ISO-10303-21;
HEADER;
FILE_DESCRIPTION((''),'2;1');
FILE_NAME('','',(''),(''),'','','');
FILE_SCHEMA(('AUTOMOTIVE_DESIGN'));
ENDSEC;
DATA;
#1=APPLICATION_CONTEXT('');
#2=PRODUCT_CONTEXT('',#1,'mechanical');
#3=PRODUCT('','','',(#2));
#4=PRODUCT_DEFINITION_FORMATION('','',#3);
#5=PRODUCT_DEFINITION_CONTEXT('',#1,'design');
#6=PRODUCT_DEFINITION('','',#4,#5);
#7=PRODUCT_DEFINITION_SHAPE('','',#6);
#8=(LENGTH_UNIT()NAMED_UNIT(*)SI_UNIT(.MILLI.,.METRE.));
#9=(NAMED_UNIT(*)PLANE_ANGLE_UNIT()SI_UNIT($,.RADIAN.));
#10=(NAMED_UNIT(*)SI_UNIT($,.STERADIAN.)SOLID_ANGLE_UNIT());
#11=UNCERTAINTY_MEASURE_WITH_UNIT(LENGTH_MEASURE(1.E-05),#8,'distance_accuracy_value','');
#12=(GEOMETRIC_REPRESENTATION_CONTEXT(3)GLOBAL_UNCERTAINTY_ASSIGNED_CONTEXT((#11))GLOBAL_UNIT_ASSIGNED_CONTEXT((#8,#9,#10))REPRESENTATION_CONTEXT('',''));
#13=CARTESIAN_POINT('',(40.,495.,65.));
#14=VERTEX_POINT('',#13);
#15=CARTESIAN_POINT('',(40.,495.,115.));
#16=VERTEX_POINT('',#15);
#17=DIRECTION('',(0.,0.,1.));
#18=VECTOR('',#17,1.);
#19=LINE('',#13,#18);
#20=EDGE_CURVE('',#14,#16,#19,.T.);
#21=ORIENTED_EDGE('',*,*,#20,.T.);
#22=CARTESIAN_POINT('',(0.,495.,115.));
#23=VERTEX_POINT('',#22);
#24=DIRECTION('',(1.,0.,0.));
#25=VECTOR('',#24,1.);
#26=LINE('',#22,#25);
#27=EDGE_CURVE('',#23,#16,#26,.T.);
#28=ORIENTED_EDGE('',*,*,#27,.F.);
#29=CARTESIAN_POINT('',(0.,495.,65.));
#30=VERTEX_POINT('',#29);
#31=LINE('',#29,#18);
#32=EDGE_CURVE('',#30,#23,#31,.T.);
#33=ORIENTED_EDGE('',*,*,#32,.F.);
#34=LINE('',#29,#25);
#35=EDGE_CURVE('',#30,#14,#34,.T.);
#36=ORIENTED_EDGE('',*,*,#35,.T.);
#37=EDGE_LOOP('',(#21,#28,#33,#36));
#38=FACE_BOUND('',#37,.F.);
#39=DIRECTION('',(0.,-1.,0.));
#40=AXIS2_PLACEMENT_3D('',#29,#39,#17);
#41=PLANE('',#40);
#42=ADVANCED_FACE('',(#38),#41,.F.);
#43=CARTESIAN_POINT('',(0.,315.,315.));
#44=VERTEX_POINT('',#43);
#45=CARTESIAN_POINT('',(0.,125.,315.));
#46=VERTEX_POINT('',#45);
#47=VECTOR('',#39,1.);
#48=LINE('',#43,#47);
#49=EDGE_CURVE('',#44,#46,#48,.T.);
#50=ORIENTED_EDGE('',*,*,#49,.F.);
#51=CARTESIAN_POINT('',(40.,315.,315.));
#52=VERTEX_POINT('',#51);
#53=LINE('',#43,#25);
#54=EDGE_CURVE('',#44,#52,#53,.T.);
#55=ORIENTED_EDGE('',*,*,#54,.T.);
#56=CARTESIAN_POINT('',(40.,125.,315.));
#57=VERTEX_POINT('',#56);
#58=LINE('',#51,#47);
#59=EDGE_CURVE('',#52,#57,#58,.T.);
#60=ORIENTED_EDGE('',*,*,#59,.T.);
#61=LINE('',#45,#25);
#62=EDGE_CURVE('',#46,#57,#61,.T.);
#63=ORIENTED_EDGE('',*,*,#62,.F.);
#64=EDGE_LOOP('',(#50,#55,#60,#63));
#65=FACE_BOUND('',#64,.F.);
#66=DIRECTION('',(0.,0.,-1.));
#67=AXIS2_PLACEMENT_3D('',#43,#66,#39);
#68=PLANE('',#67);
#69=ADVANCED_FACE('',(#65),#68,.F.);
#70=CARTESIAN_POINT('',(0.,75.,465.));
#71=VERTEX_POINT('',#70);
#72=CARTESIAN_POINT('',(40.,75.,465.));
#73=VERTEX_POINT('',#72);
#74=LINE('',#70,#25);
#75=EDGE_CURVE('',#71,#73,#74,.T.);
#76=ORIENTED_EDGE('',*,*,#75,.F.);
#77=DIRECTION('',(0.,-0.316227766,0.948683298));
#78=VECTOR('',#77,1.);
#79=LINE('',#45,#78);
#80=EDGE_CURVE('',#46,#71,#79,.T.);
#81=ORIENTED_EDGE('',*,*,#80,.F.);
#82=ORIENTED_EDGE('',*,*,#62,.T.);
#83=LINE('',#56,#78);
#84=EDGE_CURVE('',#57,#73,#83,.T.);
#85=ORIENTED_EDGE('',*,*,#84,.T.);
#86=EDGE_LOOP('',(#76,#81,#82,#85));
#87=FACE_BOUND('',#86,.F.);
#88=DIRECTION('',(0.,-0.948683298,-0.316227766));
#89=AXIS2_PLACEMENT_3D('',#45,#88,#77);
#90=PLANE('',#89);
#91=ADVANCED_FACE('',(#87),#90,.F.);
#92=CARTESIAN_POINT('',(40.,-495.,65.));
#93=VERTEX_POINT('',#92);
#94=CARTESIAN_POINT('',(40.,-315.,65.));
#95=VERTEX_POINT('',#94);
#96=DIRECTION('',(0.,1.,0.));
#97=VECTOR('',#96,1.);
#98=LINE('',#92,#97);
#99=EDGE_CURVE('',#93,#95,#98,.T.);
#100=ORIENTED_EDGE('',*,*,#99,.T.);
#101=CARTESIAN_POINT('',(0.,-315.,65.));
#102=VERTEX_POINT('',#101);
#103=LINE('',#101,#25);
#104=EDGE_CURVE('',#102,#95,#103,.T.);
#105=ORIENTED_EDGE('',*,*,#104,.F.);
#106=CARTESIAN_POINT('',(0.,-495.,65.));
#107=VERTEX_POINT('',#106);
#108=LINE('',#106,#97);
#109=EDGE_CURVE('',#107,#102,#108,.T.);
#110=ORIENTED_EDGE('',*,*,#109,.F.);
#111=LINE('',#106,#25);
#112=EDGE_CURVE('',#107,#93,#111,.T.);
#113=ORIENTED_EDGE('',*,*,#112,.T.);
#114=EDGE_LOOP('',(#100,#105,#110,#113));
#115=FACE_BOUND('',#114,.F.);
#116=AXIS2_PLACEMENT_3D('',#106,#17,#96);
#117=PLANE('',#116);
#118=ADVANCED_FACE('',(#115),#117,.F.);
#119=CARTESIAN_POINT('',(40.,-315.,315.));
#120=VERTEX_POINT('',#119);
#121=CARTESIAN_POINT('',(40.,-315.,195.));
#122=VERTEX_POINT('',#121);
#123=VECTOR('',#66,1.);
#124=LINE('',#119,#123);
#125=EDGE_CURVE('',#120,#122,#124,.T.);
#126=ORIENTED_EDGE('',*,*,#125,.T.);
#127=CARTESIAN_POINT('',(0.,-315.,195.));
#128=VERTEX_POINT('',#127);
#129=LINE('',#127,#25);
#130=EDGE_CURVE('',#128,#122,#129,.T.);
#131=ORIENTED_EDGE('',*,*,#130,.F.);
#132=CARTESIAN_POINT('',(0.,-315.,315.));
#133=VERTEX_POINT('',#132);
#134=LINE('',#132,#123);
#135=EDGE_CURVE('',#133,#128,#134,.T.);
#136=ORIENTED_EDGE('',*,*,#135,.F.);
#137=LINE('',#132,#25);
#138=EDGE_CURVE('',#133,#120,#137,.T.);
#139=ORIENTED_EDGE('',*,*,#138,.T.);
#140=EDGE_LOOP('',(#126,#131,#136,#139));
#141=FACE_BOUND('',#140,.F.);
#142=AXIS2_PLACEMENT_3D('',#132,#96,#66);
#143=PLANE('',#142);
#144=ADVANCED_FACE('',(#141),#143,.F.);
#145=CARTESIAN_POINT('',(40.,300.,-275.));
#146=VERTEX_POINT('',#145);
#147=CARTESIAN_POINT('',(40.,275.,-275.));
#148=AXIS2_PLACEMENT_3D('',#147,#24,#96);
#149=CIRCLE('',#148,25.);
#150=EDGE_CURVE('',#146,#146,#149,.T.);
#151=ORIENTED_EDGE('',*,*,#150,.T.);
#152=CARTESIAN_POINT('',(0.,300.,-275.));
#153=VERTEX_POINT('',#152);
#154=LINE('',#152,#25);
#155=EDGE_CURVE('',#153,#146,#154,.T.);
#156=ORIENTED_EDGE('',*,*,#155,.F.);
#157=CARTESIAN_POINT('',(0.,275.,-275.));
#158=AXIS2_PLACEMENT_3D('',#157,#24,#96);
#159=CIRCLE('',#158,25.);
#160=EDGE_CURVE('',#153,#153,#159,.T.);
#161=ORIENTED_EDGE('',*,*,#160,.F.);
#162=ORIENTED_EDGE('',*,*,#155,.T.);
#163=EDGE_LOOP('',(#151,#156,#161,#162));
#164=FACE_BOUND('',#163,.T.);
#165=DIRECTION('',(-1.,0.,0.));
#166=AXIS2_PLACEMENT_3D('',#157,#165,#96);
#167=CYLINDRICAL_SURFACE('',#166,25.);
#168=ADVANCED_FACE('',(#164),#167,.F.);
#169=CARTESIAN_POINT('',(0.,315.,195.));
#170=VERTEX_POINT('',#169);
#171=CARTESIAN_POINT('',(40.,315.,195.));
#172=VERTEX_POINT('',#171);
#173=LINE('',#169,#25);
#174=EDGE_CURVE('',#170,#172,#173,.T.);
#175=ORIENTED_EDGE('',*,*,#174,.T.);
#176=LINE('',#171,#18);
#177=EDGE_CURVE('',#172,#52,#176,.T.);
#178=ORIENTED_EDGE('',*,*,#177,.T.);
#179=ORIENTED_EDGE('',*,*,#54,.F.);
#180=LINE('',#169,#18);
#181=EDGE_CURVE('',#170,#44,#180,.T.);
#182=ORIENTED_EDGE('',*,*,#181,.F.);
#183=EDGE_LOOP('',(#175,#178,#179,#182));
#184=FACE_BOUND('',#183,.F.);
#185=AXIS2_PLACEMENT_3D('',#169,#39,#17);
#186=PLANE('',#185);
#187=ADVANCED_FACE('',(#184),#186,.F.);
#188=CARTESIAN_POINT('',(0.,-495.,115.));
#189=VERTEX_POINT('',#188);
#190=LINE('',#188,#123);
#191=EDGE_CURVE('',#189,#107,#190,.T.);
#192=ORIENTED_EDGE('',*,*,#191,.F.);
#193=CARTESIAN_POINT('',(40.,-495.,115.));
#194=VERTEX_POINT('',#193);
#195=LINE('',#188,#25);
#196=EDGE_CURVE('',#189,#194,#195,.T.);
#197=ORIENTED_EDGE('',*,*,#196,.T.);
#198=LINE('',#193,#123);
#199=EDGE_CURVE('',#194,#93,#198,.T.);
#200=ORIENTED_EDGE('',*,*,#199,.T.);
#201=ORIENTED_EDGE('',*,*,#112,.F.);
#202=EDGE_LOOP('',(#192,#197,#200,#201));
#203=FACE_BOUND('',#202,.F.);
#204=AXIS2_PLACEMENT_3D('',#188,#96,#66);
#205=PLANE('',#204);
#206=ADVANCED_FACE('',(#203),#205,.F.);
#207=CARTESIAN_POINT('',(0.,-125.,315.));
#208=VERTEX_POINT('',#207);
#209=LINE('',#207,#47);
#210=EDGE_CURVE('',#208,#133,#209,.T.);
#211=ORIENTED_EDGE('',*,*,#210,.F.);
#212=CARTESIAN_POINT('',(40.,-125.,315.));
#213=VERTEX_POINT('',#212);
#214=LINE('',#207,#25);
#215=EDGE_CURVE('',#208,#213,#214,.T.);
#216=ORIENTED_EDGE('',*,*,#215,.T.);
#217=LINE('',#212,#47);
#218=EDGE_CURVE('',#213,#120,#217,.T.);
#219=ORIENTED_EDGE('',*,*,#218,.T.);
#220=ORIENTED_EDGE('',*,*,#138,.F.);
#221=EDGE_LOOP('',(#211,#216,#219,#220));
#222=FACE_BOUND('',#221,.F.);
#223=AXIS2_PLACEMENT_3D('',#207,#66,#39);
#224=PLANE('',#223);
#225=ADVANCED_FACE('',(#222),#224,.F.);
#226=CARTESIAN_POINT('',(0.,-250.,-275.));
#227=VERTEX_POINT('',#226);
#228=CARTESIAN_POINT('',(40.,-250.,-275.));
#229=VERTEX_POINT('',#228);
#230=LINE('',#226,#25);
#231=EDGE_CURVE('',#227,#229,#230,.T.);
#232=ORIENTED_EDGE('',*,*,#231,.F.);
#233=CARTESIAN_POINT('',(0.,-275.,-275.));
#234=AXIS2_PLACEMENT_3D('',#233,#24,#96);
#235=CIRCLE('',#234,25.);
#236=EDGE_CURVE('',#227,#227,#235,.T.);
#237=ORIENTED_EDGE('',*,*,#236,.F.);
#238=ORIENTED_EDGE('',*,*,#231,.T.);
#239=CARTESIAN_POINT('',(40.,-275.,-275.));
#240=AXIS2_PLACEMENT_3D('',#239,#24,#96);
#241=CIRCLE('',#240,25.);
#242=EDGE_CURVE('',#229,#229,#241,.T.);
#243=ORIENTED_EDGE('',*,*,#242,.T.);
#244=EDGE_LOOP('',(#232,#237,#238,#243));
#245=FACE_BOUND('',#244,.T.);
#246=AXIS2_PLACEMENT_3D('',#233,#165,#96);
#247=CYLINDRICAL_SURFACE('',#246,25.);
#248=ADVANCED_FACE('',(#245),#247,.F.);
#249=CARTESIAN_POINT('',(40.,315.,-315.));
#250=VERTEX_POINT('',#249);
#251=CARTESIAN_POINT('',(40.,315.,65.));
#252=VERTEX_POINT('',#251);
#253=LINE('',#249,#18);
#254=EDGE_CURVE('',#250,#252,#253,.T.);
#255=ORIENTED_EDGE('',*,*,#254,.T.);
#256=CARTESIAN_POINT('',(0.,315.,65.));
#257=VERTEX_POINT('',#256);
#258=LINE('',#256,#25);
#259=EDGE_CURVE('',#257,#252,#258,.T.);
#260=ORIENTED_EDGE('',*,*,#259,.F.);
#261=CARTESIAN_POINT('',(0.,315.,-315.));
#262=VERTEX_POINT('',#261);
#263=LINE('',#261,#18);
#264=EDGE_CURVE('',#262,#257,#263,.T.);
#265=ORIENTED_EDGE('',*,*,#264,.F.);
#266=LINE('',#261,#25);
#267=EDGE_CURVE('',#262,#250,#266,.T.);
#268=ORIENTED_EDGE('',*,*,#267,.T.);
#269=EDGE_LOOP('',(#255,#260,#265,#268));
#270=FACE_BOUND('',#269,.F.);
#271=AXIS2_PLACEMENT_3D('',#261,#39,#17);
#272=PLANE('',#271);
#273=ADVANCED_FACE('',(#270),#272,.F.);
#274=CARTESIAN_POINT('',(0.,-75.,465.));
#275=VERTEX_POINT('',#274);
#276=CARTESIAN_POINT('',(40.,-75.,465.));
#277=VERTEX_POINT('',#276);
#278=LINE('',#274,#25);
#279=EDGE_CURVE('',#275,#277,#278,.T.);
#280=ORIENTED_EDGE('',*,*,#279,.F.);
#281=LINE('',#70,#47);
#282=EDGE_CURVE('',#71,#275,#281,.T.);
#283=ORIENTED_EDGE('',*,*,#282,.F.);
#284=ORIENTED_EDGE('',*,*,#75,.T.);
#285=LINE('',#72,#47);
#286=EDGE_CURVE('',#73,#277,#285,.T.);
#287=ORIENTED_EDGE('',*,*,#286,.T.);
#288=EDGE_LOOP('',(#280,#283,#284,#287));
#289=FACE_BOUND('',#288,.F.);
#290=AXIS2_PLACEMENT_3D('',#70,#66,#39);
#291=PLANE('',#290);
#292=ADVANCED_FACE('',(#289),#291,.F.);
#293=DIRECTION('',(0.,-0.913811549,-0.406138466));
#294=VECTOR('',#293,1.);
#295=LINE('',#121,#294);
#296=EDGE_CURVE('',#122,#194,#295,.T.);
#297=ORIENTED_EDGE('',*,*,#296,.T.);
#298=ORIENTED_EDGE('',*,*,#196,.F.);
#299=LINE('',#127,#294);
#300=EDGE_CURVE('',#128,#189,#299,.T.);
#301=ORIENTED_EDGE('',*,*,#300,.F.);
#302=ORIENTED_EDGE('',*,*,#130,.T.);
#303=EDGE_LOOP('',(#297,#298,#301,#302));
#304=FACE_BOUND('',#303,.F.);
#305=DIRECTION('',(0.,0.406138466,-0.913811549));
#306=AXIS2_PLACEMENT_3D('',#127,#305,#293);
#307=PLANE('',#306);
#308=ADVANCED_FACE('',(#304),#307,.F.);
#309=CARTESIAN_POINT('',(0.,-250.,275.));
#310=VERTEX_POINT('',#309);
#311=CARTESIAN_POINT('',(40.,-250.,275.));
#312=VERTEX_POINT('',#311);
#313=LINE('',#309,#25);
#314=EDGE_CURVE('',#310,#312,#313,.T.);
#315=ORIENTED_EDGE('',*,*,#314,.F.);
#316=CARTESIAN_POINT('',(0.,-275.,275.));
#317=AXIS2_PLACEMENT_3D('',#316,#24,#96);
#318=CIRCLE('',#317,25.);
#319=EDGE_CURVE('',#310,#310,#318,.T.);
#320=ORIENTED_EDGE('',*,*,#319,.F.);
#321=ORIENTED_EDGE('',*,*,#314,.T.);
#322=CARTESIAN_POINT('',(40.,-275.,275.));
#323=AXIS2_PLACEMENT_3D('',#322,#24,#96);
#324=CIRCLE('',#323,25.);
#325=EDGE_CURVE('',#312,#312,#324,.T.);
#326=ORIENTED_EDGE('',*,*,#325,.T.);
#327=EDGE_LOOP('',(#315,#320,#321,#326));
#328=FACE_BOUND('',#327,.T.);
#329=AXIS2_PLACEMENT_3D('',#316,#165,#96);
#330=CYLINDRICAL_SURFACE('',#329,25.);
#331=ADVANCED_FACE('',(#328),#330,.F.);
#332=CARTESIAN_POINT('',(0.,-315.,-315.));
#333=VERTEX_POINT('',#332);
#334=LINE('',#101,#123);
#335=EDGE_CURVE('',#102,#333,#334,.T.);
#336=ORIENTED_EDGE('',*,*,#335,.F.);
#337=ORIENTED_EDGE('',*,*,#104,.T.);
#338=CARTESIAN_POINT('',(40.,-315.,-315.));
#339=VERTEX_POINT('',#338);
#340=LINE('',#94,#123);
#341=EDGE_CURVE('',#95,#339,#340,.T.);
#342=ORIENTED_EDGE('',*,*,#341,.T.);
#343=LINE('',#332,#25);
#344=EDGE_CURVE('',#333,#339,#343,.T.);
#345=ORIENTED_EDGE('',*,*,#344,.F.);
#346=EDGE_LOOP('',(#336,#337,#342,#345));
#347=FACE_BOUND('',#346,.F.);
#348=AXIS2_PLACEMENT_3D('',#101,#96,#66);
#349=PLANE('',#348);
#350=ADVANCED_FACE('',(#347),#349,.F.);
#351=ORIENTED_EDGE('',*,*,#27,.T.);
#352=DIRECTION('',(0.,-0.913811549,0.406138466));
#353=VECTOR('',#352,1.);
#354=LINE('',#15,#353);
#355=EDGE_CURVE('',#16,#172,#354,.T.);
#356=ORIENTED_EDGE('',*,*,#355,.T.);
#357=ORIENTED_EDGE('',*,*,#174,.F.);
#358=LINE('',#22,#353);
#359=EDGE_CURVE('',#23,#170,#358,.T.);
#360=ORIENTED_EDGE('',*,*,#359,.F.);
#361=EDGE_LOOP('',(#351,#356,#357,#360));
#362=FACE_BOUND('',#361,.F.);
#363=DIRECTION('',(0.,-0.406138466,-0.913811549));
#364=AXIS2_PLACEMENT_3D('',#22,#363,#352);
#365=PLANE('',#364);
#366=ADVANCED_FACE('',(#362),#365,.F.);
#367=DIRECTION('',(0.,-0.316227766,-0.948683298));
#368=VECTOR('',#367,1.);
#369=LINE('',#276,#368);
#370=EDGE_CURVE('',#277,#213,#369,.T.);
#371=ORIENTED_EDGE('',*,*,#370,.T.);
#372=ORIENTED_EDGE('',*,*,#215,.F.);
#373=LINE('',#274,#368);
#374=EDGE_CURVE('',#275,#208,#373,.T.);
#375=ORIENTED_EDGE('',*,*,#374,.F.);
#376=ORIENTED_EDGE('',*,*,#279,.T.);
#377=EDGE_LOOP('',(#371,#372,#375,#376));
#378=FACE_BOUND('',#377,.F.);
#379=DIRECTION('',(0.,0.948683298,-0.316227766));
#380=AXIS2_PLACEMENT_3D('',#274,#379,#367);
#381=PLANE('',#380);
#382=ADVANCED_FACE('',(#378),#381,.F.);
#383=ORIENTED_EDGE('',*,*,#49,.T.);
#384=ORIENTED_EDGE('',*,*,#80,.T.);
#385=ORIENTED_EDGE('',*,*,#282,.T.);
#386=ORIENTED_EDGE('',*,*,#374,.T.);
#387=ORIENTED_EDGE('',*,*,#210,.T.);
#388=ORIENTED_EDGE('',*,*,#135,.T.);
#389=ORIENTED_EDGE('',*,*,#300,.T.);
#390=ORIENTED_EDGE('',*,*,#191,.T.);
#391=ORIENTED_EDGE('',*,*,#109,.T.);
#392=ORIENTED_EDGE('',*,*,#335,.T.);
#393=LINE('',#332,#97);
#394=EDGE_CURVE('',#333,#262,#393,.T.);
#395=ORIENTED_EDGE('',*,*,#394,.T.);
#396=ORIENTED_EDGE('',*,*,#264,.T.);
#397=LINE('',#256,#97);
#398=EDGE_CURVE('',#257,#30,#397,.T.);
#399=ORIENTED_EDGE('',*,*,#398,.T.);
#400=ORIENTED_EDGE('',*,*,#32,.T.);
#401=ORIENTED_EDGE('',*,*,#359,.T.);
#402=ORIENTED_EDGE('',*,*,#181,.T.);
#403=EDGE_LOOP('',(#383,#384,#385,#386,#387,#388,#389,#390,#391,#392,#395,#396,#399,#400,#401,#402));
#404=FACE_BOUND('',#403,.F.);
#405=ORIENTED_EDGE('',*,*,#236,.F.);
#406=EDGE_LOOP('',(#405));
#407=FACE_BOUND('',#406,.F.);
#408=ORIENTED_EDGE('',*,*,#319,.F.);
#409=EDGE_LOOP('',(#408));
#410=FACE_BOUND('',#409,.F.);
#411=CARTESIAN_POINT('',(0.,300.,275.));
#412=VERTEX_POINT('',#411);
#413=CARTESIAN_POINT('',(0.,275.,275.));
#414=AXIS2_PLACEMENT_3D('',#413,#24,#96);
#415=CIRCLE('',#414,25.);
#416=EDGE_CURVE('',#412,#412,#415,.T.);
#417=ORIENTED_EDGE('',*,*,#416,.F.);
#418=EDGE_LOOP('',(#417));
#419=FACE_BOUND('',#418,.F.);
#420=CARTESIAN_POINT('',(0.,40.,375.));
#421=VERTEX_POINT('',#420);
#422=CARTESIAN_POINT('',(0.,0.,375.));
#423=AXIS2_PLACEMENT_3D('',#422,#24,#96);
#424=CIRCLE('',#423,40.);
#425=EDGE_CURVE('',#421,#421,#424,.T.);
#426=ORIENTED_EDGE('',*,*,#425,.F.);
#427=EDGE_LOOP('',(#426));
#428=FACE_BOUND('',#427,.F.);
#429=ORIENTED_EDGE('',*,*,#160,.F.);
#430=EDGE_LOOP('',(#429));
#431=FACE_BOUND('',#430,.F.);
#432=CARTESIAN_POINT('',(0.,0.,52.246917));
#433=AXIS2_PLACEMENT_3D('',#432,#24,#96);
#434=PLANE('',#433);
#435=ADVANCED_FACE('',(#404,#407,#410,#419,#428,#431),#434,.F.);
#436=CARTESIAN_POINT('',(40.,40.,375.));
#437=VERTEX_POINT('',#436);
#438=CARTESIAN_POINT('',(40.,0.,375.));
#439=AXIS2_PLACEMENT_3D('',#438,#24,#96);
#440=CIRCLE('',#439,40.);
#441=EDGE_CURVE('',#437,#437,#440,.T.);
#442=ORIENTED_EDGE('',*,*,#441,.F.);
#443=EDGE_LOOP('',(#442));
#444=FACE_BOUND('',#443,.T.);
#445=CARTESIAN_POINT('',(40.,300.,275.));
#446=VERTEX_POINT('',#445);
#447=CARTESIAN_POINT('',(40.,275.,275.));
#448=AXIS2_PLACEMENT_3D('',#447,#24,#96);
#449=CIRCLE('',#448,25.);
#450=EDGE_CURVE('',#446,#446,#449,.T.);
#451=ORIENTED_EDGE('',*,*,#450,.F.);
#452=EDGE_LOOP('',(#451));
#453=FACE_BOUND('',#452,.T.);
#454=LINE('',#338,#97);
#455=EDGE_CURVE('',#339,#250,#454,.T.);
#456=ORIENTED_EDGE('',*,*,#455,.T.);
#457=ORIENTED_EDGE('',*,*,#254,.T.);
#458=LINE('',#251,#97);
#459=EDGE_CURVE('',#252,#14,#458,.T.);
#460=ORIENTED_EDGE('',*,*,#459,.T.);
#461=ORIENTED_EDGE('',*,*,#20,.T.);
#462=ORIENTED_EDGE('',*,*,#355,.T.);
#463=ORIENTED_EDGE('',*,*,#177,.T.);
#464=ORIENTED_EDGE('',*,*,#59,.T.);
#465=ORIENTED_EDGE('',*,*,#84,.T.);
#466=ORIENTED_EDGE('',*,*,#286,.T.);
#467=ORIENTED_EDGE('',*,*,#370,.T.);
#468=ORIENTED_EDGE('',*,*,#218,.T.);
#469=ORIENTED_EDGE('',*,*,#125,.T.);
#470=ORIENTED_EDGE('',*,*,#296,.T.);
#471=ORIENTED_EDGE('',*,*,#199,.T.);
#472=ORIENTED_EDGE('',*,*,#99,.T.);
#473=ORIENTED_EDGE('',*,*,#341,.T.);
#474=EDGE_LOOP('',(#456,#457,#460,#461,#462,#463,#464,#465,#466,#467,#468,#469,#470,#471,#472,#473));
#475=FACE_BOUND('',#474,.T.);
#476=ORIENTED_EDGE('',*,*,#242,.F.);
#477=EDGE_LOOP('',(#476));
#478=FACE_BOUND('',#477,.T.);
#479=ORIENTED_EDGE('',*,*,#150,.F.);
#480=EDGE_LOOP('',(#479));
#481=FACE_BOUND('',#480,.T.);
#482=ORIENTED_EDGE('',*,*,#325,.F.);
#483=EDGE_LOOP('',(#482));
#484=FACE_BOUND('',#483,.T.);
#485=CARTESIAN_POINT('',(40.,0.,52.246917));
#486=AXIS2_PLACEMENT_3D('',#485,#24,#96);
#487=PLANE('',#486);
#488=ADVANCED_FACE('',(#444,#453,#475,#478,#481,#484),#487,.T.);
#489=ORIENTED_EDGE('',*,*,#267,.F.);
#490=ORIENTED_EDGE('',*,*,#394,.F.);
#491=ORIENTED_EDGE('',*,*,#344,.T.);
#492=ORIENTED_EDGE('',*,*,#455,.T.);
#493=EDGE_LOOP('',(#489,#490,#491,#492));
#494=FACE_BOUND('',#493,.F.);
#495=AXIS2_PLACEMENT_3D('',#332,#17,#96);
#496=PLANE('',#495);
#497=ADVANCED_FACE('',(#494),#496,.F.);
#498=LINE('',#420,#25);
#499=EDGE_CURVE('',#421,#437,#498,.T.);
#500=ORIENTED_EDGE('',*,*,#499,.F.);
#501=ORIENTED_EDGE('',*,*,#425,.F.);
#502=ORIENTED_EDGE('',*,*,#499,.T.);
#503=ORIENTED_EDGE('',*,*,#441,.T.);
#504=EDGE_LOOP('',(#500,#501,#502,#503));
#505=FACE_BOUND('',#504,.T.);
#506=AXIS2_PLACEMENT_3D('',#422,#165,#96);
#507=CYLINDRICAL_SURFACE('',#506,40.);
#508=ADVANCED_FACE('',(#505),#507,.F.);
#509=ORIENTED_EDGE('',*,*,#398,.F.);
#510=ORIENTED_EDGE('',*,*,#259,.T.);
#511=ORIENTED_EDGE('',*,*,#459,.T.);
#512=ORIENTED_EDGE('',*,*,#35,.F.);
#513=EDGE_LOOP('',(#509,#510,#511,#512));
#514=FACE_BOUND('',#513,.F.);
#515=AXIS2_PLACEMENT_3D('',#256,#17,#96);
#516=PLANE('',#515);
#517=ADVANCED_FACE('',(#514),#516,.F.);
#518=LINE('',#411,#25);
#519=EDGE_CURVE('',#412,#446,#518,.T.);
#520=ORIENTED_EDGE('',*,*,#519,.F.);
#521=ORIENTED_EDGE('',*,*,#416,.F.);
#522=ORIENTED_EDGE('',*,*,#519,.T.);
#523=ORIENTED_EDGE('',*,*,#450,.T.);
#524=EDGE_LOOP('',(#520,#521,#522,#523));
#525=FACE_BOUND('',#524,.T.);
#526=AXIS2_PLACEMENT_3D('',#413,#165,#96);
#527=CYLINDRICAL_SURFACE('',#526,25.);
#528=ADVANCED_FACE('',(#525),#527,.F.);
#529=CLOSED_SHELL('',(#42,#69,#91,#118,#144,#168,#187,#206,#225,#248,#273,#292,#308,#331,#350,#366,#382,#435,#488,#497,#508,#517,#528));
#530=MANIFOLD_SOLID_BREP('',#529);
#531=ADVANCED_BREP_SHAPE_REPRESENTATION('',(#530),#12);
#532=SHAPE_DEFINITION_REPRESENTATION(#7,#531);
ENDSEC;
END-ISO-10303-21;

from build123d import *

# Parameters (mm, degrees)
F0_R     = 25
F0_R_2   = 40
F1_DEPTH = 40


with BuildPart() as f1:
    # F0 (on Right) → F1 (new body)
    with BuildSketch(Plane.YZ):
        Polygon((-125, 315), (-315, 315), (-315, 195), (-495, 115), (-495, 65), (-315, 65), (-315, -315), (-125, -315), (125, -315), (315, -315), (315, 65), (495, 65), (495, 115), (315, 195), (315, 315), (125, 315), (75, 465), (-75, 465), align=None)
        with Locations((-275, -275)):
            Circle(F0_R, mode=Mode.SUBTRACT)
        with Locations((275, -275)):
            Circle(F0_R, mode=Mode.SUBTRACT)
        with Locations((-275, 275)):
            Circle(F0_R, mode=Mode.SUBTRACT)
        with Locations((0, 375)):
            Circle(F0_R_2, mode=Mode.SUBTRACT)
        with Locations((275, 275)):
            Circle(F0_R, mode=Mode.SUBTRACT)
    extrude(amount=F1_DEPTH)


solid = f1.part
